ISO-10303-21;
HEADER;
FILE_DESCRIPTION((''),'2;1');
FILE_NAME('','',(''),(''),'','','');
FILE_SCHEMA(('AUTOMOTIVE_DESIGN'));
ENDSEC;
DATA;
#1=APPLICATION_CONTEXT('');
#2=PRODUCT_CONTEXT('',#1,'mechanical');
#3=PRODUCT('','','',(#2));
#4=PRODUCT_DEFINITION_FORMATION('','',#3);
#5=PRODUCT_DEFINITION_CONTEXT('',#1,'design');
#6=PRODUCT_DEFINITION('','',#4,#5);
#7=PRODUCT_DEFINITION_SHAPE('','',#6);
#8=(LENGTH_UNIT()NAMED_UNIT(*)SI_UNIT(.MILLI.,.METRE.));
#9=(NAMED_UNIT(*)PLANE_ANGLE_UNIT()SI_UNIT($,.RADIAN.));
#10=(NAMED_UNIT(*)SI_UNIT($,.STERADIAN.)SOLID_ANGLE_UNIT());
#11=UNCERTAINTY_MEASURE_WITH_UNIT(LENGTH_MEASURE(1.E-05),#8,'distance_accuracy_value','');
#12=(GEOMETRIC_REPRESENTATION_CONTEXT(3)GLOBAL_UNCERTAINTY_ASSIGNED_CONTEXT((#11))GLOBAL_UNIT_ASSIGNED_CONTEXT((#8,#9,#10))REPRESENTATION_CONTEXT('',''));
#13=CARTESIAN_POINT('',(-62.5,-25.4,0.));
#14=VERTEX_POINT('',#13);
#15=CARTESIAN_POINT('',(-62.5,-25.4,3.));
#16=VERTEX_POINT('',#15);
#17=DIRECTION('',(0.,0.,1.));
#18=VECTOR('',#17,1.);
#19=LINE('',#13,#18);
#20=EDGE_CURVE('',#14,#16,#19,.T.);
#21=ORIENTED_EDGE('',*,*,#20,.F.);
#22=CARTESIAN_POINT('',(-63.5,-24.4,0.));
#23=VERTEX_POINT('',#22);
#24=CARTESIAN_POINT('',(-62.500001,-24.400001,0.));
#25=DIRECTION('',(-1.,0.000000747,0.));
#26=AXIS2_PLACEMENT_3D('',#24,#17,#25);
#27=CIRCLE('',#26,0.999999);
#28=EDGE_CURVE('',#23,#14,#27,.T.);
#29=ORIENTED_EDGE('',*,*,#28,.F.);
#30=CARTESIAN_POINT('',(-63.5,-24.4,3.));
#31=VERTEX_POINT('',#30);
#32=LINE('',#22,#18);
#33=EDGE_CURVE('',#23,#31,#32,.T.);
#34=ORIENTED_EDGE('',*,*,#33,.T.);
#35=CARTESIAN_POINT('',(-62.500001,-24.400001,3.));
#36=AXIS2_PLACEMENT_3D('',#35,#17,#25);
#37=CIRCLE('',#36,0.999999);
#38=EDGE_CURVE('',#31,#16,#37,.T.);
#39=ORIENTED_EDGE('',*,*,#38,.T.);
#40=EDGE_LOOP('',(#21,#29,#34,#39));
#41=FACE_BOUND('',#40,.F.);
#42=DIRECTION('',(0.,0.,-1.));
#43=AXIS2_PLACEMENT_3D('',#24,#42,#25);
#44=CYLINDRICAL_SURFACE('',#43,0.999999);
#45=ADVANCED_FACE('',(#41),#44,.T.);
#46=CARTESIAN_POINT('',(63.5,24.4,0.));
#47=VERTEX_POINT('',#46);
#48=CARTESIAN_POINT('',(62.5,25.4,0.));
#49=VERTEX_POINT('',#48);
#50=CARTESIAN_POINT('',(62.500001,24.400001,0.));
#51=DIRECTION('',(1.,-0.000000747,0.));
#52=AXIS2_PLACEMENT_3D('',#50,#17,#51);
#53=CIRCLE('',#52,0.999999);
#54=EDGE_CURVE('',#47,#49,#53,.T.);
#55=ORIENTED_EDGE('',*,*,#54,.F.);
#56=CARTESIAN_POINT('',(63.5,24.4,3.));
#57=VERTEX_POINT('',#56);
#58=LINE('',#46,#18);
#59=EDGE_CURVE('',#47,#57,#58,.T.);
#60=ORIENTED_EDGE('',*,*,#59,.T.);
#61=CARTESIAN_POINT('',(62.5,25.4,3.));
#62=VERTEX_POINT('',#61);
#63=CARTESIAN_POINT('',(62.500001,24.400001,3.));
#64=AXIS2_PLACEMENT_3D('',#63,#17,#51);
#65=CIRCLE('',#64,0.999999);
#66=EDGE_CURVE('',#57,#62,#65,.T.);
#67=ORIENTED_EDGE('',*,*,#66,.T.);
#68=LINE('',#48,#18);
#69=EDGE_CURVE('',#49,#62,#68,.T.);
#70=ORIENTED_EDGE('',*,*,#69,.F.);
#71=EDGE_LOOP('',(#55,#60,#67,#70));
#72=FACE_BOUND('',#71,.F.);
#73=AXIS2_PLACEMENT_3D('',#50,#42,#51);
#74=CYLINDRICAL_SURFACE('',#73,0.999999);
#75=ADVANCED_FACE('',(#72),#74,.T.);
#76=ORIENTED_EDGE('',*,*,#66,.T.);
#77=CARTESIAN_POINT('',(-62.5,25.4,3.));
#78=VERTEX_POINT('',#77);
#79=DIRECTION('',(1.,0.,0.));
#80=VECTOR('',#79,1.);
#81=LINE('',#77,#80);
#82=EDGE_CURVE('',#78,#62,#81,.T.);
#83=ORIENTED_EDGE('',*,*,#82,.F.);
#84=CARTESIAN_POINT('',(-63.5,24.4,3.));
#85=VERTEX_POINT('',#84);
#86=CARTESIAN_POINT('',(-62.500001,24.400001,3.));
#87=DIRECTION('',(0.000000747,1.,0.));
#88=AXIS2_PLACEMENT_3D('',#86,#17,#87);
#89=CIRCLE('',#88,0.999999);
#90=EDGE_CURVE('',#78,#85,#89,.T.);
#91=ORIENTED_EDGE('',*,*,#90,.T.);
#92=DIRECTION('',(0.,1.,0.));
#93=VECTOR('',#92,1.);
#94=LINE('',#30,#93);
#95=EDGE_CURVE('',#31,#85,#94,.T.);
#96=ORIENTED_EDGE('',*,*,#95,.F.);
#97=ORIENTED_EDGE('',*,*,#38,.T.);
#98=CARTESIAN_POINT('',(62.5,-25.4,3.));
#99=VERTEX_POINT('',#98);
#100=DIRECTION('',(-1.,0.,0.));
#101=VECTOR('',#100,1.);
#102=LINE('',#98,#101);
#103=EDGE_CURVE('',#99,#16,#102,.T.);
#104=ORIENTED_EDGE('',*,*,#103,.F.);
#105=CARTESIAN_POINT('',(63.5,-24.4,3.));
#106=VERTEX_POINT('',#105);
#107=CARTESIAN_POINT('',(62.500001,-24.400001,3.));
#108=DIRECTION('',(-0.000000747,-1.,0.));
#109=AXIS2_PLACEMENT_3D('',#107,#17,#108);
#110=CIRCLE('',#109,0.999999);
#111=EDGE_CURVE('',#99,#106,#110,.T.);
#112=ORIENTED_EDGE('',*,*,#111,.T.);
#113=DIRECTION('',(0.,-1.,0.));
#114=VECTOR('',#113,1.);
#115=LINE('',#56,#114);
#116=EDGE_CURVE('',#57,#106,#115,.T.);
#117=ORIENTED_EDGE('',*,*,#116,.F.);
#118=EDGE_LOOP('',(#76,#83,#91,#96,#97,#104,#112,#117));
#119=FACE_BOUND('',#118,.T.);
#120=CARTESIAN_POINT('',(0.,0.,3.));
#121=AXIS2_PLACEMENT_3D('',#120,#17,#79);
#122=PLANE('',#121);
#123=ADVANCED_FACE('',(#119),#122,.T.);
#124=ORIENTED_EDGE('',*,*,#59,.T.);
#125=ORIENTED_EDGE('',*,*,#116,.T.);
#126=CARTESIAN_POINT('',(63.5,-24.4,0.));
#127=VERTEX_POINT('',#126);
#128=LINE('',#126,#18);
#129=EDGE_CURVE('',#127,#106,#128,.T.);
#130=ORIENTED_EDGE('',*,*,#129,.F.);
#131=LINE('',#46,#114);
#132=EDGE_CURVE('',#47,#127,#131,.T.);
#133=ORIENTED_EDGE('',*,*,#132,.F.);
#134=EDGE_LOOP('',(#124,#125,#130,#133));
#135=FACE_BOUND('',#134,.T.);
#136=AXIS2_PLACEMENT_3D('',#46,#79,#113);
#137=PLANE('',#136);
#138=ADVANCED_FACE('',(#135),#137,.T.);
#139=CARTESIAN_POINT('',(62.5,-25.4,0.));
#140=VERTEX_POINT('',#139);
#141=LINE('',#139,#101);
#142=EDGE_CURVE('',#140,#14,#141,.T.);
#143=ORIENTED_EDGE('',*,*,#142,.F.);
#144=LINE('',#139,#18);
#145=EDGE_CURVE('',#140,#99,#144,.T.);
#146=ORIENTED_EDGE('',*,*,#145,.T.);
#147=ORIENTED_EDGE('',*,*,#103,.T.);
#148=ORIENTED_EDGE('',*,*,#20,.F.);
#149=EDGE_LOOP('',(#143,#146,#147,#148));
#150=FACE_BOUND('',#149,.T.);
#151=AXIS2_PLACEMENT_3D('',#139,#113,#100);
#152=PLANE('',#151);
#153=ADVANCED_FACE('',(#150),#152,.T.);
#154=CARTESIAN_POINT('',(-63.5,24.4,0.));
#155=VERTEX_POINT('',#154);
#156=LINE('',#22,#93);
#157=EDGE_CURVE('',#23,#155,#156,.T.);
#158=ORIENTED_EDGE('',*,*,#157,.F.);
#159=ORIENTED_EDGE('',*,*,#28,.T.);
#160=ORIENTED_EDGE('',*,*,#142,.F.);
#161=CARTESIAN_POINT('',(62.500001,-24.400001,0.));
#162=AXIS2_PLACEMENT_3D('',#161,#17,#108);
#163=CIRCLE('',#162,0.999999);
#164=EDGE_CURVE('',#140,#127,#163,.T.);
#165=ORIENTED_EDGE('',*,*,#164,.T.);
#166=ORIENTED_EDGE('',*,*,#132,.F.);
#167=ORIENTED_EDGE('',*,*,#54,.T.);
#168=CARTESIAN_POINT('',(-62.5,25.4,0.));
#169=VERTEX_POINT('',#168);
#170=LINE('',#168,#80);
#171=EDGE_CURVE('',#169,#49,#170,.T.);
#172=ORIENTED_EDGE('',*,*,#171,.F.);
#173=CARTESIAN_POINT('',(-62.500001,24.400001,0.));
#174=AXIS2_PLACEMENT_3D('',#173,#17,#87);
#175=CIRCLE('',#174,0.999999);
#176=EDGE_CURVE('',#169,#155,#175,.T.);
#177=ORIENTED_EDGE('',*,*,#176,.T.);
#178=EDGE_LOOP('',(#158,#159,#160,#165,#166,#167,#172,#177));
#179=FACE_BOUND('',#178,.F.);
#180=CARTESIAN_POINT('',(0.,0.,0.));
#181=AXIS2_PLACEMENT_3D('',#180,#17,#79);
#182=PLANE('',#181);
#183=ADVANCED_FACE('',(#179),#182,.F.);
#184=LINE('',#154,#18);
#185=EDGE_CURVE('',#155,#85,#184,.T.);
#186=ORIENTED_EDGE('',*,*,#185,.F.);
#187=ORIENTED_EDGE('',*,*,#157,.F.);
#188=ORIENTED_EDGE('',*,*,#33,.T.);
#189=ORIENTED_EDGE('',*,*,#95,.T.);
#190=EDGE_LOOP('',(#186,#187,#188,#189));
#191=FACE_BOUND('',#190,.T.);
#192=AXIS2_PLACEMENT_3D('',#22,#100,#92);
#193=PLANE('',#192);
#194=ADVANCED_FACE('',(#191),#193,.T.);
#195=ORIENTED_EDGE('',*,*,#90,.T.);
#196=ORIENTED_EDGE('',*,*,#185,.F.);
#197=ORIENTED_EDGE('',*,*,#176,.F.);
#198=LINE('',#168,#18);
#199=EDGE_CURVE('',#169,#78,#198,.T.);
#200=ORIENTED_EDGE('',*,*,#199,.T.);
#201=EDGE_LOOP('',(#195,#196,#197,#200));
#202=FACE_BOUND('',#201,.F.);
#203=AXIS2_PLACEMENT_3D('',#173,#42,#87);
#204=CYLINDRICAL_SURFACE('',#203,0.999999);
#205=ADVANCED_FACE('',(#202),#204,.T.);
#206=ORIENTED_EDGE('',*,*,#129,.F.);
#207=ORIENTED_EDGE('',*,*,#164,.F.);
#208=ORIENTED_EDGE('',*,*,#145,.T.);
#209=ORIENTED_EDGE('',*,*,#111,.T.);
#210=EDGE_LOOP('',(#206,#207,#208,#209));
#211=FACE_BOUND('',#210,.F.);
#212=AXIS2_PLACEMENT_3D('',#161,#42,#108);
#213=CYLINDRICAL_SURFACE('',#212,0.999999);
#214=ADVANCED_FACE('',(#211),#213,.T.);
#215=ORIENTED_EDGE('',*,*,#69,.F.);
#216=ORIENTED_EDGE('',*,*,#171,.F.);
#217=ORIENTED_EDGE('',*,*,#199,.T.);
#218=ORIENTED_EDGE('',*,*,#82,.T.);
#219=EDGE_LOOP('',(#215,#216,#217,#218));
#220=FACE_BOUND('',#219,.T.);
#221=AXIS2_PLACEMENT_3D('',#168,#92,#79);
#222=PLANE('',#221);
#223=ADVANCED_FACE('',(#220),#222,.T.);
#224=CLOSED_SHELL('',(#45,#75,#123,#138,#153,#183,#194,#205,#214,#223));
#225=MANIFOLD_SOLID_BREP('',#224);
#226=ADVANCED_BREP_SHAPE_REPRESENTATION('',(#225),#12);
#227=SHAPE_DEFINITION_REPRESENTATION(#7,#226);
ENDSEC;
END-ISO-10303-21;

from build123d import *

# Parameters (mm, degrees)
PAD_DEPTH = 3


with BuildPart() as part:
    # Sketch → Pad (new body)
    with BuildSketch(Plane.XY):
        with BuildLine():
            ThreePointArc((-62.5, 25.4), (-63.207107, 25.107107), (-63.5, 24.4))
            Line((-63.5, -24.4), (-63.5, 24.4))
            ThreePointArc((-63.5, -24.4), (-63.207107, -25.107107), (-62.5, -25.4))
            Line((62.5, -25.4), (-62.5, -25.4))
            ThreePointArc((62.5, -25.4), (63.207107, -25.107107), (63.5, -24.4))
            Line((63.5, 24.4), (63.5, -24.4))
            ThreePointArc((63.5, 24.4), (63.207107, 25.107107), (62.5, 25.4))
            Line((-62.5, 25.4), (62.5, 25.4))
        make_face()
    extrude(amount=PAD_DEPTH)


solid = part.part
